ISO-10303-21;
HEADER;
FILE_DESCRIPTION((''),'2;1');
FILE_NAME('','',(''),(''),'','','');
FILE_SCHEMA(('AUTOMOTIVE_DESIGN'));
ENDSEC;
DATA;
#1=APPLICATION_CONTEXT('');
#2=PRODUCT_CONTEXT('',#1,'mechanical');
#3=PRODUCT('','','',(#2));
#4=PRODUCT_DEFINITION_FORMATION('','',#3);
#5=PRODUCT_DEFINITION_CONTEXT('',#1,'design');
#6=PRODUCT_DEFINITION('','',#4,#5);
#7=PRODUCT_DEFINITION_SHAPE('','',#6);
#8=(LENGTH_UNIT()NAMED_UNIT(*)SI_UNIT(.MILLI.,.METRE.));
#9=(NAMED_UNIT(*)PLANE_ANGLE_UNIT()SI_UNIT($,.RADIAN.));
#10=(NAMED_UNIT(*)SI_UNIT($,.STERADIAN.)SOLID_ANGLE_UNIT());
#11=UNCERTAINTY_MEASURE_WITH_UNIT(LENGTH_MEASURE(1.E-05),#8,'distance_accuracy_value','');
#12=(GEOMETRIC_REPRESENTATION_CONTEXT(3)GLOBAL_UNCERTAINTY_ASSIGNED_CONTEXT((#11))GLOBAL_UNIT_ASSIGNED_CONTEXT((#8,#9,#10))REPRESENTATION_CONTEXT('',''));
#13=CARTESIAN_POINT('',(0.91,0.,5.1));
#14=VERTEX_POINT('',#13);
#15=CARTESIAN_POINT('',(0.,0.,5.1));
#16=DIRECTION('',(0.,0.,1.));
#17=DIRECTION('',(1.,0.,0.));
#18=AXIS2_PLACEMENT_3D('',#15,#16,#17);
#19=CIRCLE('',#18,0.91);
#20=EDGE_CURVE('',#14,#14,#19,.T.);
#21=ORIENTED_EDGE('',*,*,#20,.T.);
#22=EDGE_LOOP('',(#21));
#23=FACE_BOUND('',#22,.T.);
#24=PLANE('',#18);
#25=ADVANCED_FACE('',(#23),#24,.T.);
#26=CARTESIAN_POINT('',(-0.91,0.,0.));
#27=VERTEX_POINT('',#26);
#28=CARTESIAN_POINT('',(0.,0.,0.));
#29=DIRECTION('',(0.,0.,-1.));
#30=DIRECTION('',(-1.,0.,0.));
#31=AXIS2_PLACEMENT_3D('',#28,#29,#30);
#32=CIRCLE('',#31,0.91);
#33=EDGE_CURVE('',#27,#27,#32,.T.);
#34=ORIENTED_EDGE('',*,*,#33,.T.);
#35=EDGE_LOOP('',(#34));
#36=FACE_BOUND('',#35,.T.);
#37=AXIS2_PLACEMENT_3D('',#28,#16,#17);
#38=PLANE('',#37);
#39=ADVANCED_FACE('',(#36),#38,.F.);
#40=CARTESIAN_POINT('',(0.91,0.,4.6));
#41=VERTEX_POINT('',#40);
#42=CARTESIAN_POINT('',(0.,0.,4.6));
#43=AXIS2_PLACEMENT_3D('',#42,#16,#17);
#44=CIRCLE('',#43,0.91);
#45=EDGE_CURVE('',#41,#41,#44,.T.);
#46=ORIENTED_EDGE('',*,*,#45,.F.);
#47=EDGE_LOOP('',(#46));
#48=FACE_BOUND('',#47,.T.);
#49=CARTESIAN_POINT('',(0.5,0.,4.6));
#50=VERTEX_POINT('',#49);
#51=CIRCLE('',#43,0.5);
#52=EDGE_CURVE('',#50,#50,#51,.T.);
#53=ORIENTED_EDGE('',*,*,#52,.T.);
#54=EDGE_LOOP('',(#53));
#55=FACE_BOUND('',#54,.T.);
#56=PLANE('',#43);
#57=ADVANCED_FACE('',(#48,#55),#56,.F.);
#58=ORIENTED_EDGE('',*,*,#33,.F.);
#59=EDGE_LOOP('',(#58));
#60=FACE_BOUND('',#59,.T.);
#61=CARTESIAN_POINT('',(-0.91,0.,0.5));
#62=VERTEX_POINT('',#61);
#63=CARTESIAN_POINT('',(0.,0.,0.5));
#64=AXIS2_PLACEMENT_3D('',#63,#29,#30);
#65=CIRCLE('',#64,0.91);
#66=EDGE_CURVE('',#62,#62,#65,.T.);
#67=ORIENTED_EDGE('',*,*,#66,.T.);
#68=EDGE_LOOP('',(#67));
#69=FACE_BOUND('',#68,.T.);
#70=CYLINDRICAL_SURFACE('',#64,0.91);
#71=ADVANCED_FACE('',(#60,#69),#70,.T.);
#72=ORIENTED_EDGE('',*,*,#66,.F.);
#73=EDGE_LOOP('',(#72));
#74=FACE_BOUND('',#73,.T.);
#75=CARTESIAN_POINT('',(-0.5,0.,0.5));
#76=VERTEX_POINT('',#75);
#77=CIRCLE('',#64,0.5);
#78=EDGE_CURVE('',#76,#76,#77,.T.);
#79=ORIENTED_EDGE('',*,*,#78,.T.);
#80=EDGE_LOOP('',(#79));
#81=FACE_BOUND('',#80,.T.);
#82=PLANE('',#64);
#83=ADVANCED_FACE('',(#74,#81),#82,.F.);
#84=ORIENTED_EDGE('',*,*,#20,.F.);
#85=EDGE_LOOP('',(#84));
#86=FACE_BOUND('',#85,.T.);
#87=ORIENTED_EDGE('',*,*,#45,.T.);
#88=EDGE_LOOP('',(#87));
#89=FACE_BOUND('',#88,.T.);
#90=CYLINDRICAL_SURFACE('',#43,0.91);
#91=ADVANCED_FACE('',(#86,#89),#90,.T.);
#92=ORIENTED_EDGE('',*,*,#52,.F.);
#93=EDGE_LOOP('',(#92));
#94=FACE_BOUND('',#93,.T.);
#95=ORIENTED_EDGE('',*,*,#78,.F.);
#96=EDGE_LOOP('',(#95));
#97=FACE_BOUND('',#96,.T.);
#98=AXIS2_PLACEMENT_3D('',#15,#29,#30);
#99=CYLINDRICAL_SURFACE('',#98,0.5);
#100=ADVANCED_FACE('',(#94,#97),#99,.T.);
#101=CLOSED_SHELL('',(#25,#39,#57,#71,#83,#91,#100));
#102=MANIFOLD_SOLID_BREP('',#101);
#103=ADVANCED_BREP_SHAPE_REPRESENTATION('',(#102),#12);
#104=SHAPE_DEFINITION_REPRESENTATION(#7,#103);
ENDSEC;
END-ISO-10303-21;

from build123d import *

# Parameters (mm, degrees)
SKETCH1_R           = 0.5
BOSS_EXTRUDE1_DEPTH = 5.1
SKETCH2_R           = 0.91
BOSS_EXTRUDE2_DEPTH = 0.5
SKETCH3_R           = 0.91
BOSS_EXTRUDE3_DEPTH = 0.5


with BuildPart() as part:
    # Sketch1 → Boss-Extrude1 (new body)
    with BuildSketch(Plane.XY):
        Circle(SKETCH1_R)
    extrude(amount=BOSS_EXTRUDE1_DEPTH)

    # Sketch2 → Boss-Extrude2 (add)
    with BuildSketch(Plane.XY.offset(5.1)):
        Circle(SKETCH2_R)
    extrude(amount=-BOSS_EXTRUDE2_DEPTH)

    # Sketch3 → Boss-Extrude3 (add)
    with BuildSketch(Plane(origin=(0, 0, 0), x_dir=(-1, 0, 0), z_dir=(0, 0, -1))):
        Circle(SKETCH3_R)
    extrude(amount=-BOSS_EXTRUDE3_DEPTH)


solid = part.part
